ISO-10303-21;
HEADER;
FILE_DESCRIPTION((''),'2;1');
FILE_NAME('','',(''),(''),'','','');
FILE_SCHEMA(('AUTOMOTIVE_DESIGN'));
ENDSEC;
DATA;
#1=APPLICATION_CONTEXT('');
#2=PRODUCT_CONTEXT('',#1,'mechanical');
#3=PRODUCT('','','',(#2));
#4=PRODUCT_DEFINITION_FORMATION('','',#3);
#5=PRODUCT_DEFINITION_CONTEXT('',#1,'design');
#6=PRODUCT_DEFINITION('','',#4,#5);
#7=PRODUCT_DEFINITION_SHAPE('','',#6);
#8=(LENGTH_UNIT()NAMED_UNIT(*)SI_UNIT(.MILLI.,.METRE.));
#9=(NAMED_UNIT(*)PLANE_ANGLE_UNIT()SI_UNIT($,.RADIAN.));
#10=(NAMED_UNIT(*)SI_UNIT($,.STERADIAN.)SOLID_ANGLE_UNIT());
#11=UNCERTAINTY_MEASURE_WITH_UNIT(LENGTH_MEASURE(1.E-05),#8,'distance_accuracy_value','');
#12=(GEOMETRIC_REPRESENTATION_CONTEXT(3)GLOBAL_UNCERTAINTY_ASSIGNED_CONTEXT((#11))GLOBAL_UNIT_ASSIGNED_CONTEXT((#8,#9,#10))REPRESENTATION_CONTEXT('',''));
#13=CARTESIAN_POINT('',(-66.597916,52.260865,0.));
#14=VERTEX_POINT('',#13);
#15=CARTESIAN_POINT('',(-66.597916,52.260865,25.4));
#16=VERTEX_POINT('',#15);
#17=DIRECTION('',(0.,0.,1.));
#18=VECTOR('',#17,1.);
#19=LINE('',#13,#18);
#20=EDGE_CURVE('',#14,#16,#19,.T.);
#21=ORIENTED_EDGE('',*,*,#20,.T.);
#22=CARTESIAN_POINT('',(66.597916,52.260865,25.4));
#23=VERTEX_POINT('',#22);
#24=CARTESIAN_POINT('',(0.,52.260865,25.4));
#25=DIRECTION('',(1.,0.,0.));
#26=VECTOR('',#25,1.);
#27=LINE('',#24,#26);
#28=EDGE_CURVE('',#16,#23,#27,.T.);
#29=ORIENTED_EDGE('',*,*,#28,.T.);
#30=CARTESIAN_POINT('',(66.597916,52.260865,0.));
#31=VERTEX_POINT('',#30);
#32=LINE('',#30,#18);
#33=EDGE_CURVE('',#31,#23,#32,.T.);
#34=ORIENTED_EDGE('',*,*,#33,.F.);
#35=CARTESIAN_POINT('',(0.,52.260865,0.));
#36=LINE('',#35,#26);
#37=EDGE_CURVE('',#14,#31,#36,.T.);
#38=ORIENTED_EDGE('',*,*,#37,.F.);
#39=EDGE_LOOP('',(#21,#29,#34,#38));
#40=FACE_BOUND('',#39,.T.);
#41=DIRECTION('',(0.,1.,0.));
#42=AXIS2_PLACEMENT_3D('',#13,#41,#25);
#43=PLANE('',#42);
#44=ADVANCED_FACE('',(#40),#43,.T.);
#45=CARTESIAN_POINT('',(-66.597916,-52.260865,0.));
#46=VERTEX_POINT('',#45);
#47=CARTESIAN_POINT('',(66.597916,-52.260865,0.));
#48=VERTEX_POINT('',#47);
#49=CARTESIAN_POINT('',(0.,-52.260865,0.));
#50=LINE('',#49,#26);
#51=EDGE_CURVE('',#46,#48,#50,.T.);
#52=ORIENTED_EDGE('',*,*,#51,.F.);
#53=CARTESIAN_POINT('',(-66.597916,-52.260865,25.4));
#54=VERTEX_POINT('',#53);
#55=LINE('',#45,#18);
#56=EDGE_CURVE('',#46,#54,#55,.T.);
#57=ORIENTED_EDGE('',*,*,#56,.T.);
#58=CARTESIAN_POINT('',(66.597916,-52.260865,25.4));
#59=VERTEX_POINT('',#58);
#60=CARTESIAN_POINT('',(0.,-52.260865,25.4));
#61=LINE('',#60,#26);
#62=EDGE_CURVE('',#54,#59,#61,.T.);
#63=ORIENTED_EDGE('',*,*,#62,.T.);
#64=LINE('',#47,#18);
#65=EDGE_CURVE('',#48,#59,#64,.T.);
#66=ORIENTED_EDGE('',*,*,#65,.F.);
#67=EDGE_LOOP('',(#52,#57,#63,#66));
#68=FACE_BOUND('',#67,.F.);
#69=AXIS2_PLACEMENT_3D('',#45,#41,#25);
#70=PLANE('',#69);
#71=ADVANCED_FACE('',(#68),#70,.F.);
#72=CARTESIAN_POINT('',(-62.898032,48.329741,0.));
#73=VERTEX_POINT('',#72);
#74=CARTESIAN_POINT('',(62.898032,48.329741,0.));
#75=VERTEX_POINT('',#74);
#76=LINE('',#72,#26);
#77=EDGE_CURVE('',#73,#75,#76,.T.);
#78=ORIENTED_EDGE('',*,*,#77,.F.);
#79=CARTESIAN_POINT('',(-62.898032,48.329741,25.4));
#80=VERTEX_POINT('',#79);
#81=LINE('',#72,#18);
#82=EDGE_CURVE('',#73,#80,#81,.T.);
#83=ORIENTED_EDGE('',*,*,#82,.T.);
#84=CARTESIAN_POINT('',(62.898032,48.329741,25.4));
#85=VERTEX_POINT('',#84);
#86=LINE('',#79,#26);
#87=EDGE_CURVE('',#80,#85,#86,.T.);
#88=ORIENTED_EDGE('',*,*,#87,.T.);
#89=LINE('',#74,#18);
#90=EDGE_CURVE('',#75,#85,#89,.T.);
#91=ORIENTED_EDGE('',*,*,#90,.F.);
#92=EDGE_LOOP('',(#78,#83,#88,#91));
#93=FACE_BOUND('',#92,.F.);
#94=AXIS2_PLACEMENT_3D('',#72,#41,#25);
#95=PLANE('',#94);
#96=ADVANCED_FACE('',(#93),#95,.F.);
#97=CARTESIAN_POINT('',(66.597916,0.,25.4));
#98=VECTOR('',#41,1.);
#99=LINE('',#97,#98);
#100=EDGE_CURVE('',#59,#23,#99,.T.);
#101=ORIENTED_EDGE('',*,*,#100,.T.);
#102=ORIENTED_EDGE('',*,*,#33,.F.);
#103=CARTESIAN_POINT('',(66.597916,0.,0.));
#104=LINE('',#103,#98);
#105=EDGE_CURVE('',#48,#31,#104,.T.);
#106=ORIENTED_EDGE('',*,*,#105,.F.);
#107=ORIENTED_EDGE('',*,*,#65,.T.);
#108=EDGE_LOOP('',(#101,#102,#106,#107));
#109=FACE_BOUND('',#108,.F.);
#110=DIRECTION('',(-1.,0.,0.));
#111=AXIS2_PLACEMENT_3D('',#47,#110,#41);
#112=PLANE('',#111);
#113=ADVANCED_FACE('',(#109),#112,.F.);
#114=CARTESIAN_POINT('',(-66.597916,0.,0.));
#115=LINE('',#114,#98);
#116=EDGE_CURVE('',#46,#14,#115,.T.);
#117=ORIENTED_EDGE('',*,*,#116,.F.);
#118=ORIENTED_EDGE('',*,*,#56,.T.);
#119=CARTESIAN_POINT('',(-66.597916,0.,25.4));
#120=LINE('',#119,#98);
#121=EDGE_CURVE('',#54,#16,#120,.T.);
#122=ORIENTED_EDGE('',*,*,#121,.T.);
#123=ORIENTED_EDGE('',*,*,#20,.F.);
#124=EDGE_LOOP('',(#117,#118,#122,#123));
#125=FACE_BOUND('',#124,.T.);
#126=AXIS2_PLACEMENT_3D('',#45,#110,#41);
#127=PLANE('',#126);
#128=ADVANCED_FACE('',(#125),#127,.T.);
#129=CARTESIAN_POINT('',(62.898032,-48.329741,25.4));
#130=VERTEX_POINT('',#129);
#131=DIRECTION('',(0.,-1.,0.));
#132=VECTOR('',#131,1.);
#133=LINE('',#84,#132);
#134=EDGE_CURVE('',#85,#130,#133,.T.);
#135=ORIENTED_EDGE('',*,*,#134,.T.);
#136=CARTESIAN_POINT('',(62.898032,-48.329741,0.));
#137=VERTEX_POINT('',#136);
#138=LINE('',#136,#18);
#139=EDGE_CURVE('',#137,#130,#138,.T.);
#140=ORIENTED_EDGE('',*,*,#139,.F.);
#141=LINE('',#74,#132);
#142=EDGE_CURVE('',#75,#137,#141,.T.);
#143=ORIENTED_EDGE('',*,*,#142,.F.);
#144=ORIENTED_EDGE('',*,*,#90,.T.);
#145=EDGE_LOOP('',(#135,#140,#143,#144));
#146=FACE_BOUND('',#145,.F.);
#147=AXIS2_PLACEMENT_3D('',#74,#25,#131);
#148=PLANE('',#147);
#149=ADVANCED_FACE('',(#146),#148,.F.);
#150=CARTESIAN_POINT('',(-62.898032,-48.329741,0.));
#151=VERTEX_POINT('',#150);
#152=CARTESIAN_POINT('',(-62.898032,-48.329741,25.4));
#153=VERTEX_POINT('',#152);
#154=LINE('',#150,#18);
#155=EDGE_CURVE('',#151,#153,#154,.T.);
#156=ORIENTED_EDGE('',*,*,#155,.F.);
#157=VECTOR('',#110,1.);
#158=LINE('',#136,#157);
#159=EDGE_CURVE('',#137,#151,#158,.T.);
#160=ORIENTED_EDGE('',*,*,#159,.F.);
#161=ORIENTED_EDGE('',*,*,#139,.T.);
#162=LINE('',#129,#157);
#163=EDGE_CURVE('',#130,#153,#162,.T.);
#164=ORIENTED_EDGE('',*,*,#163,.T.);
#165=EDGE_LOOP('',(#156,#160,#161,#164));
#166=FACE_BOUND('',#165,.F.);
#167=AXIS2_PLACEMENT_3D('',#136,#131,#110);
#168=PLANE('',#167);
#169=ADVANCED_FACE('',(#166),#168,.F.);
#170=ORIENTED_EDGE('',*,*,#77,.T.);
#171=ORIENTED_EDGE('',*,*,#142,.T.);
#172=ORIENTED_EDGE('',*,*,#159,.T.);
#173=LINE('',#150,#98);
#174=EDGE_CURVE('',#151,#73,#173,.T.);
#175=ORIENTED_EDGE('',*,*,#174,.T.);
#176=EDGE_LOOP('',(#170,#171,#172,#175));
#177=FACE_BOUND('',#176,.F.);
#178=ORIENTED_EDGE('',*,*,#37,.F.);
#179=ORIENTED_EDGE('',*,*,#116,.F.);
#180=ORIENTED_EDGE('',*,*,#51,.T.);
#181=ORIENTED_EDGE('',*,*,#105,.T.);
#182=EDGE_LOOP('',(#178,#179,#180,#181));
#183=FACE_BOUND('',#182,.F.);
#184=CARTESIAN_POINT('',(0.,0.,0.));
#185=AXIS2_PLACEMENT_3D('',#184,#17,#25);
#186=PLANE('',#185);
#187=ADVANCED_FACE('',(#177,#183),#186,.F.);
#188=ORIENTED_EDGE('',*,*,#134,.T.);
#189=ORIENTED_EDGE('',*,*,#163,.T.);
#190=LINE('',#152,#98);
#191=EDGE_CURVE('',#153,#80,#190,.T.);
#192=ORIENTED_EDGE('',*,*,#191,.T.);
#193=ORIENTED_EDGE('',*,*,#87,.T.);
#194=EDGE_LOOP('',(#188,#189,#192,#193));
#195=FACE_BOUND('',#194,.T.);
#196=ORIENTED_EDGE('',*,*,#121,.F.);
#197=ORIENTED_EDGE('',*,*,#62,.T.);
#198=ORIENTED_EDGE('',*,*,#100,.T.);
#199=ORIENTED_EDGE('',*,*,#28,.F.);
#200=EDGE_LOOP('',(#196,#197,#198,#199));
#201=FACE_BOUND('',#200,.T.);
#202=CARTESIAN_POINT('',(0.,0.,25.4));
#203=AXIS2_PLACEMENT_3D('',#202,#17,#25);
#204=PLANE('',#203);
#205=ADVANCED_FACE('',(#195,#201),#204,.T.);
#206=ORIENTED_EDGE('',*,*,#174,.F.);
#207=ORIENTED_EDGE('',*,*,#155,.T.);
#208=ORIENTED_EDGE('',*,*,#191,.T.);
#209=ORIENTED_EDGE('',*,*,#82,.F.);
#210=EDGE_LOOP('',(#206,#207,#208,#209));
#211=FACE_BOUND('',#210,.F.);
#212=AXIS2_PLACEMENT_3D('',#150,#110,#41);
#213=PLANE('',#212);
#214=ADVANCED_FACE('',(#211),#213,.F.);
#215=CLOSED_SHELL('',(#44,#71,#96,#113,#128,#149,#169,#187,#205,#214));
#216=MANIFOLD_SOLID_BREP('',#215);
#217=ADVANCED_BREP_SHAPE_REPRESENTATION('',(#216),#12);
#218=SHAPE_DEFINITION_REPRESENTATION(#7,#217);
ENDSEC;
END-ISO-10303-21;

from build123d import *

# Parameters (mm, degrees)
F0_W     = 133.195832
F0_H     = 104.52173
F1_DEPTH = 25.4


with BuildPart() as f1:
    # F0 (on Top) → F1 (new body)
    with BuildSketch(Plane.XY):
        Rectangle(F0_W, F0_H)
        Polygon((-62.898032, -7.168526), (-62.898032, 48.329741), (-37.461329, 48.329741), (-34.455173, 48.329741), (2.312429, 48.329741), (62.898032, 48.329741), (62.898032, 26.824163), (62.898032, -48.329741), (-62.898032, -48.329741), (-62.898032, -9.24971), align=None, mode=Mode.SUBTRACT)
    extrude(amount=F1_DEPTH)


solid = f1.part
